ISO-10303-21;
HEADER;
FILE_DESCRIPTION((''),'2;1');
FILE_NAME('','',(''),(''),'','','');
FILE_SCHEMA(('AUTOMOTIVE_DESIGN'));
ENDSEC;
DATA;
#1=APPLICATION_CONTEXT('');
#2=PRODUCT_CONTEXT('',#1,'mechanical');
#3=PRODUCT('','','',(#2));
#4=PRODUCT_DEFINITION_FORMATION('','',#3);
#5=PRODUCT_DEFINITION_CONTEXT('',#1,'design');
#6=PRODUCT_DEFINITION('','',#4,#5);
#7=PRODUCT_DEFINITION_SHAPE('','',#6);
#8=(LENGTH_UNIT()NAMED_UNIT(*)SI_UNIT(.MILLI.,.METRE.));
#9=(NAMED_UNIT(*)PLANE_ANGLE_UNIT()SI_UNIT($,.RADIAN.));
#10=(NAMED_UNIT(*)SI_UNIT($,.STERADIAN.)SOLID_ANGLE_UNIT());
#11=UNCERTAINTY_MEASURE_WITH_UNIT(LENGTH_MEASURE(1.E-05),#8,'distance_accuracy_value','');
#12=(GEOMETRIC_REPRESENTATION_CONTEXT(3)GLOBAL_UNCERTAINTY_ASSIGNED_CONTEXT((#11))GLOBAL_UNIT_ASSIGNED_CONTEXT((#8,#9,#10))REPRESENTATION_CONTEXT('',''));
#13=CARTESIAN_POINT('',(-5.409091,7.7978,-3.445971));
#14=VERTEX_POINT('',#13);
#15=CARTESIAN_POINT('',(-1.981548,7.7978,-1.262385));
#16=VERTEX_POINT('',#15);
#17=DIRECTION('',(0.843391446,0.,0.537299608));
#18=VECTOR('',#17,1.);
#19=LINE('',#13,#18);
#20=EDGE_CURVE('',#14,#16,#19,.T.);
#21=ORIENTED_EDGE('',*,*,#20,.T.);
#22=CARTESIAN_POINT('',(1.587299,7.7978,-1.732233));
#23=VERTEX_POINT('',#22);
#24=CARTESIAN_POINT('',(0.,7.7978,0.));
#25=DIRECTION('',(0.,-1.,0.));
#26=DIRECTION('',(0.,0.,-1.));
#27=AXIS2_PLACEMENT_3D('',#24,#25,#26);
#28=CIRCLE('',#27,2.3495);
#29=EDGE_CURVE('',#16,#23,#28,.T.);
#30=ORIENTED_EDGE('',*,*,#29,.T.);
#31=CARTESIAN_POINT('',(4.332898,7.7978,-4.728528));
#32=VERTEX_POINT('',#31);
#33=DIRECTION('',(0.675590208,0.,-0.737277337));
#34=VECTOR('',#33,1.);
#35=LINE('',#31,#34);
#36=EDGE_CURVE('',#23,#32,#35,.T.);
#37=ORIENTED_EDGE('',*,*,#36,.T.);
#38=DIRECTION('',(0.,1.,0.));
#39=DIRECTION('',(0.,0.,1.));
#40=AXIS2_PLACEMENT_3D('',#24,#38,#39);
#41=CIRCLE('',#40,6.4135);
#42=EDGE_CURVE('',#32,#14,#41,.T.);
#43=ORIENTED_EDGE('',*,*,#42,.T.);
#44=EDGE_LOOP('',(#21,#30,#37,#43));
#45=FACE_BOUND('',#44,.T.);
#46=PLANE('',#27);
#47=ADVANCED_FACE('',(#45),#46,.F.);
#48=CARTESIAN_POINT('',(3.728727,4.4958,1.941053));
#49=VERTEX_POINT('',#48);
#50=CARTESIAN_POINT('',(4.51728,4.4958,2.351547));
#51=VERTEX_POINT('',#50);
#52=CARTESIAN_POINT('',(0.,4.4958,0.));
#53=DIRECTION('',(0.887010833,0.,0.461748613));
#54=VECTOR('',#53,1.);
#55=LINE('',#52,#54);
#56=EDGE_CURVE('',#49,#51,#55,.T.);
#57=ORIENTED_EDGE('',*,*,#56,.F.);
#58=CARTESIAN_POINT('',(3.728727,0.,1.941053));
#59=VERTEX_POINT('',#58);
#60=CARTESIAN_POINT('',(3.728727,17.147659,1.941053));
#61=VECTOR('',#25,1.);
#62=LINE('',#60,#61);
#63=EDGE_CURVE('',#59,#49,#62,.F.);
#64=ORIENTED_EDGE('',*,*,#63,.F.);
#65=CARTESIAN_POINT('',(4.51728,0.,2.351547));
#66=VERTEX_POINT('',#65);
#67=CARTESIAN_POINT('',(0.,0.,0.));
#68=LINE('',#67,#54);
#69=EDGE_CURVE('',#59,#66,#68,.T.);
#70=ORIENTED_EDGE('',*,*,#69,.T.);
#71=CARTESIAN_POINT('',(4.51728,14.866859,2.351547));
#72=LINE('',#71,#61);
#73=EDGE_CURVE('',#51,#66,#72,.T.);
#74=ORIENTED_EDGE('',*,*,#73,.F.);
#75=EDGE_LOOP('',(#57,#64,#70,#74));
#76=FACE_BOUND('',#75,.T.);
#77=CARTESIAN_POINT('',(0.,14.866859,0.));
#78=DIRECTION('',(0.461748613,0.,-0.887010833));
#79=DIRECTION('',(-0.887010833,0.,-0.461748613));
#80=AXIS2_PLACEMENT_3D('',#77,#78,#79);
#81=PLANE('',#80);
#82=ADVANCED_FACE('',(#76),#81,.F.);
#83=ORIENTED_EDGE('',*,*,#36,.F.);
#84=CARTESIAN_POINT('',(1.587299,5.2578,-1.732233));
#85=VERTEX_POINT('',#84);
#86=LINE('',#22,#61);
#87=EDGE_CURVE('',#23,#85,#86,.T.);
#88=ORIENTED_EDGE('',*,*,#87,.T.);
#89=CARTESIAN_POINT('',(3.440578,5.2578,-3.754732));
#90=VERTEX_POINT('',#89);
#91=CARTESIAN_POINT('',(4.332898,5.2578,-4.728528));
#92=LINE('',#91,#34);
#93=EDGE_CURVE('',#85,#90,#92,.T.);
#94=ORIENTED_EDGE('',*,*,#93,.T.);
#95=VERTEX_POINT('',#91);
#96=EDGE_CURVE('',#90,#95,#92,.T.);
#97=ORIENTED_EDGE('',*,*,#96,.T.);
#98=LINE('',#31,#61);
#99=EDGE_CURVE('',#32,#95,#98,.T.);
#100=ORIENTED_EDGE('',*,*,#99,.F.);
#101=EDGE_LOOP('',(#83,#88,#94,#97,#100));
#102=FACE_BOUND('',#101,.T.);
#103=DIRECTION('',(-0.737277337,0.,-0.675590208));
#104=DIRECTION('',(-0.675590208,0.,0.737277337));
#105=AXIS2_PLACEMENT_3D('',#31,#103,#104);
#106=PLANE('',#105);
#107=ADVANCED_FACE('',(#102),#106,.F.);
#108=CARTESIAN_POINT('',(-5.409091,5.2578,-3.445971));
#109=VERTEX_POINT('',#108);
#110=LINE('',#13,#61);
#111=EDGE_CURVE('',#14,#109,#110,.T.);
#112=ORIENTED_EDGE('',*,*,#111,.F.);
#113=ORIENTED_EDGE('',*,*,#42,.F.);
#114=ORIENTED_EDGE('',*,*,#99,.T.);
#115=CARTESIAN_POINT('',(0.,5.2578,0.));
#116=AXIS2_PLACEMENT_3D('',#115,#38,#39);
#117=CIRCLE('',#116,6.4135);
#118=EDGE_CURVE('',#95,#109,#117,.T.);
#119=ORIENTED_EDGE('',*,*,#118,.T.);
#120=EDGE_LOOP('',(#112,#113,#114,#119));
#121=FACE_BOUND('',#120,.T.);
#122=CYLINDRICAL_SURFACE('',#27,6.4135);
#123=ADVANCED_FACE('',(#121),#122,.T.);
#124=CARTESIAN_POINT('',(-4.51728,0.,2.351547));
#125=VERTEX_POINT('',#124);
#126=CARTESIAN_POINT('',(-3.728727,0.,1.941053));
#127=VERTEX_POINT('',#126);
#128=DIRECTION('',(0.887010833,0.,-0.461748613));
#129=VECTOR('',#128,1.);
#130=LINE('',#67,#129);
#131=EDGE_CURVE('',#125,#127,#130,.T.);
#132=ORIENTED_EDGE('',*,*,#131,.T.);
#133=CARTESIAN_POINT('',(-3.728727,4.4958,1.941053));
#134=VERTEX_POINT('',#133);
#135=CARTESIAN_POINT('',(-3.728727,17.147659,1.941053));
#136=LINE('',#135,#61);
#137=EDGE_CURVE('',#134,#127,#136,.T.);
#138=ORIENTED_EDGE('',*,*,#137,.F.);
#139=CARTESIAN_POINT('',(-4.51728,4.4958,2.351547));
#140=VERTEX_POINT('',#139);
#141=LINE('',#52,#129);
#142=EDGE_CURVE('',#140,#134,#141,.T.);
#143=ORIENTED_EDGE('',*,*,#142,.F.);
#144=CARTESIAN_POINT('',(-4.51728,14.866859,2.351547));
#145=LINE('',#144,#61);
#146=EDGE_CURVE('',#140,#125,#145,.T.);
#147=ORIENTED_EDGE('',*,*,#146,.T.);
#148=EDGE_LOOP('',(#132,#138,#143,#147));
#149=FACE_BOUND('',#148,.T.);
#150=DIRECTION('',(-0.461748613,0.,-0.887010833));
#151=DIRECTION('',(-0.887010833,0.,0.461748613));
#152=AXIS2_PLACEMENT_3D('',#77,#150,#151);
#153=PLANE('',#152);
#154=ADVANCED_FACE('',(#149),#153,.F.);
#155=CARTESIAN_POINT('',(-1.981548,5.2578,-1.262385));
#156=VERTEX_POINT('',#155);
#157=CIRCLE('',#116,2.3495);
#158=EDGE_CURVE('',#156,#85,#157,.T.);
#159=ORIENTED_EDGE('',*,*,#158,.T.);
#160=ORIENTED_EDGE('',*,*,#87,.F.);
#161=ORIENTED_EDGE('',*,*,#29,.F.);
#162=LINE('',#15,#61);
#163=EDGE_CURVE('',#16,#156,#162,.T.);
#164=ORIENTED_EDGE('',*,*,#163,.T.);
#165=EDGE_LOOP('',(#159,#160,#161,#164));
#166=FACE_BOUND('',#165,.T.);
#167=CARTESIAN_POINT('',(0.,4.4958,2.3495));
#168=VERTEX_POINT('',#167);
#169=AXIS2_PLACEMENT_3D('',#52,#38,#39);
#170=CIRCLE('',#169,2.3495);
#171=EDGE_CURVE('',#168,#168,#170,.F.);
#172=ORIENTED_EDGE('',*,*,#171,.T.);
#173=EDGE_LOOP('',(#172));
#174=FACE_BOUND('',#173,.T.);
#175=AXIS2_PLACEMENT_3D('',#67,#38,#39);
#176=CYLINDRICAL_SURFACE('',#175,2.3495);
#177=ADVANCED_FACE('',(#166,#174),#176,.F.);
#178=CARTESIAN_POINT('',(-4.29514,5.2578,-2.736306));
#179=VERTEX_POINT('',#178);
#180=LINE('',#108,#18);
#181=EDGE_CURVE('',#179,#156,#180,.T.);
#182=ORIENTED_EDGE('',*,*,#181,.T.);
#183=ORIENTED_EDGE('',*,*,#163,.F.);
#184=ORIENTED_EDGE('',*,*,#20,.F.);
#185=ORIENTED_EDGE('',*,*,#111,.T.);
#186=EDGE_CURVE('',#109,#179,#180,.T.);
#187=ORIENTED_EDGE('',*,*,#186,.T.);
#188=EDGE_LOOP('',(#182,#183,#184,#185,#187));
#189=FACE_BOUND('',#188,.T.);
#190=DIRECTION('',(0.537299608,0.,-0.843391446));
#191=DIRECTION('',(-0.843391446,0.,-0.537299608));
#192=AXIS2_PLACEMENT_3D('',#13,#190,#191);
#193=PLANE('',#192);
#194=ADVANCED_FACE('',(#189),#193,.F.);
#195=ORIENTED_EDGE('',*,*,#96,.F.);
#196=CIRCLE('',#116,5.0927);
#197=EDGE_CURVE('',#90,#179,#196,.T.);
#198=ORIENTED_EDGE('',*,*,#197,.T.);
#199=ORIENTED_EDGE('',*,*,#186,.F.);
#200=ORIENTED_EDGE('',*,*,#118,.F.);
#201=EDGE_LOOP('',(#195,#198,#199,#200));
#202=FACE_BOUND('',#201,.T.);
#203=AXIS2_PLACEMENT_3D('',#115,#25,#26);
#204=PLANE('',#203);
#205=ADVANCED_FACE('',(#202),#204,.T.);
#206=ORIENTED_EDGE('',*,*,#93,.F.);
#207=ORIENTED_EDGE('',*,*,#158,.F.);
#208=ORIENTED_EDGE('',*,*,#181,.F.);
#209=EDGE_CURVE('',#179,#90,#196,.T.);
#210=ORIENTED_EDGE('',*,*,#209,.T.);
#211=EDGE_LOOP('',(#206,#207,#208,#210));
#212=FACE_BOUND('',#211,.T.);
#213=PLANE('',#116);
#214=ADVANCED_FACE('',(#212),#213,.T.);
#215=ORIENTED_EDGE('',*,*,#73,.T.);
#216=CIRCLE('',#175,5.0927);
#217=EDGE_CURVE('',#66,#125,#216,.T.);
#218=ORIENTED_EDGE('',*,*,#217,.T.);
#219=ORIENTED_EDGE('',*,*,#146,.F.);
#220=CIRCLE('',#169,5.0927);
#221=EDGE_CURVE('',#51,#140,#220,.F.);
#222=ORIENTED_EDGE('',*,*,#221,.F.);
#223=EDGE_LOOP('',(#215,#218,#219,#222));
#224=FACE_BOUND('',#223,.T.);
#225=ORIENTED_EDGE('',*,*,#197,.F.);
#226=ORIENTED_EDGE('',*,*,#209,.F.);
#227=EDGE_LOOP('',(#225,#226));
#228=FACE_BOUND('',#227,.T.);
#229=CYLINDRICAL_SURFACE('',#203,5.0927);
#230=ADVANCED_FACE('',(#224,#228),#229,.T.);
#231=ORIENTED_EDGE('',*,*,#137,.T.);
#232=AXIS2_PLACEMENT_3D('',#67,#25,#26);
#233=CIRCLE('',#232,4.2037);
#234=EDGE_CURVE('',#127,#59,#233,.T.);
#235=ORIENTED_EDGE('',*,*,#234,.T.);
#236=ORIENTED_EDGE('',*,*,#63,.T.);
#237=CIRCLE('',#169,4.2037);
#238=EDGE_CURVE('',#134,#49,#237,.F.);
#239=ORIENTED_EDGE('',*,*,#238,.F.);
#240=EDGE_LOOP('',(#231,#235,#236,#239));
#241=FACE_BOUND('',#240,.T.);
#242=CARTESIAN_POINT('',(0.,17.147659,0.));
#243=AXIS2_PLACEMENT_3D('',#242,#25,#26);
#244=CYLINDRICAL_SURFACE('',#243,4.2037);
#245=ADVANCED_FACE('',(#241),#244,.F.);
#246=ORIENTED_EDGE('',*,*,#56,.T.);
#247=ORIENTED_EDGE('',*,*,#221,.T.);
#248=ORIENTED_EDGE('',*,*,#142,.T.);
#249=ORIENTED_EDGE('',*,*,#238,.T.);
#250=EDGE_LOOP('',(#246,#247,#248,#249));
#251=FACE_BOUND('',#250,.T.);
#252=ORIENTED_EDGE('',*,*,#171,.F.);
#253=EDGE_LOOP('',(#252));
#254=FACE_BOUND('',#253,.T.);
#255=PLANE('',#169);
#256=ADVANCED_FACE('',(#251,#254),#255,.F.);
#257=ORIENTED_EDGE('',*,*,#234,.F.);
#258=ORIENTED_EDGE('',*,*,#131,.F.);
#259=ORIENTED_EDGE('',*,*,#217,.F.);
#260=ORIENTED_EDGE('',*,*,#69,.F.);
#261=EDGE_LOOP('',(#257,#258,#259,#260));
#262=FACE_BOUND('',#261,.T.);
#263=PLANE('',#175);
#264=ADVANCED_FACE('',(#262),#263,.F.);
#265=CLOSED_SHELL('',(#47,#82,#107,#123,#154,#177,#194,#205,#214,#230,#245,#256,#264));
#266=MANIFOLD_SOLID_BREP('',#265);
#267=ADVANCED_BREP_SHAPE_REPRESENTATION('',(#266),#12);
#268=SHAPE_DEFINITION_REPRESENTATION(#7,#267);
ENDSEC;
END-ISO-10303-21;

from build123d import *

# Parameters (mm, degrees)
SKETCH1_R           = 5.0927
BOSS_EXTRUDE1_DEPTH = 5.2578
SKETCH2_R           = 2.3495
CUT_EXTRUDE1_DEPTH  = 9.917154671
SKETCH3_R           = 4.2037
CUT_EXTRUDE2_DEPTH  = 4.4958
CUT_EXTRUDE3_DEPTH  = 4.4958
BOSS_EXTRUDE2_START = 2.54
BOSS_EXTRUDE2_DEPTH = 2.54


with BuildPart() as part:
    # Sketch1 → Boss-Extrude1 (new body)
    with BuildSketch(Plane(origin=(0, 0, 0), x_dir=(1, 0, 0), z_dir=(0, 1, 0))):
        with Locations(Location((0, 0, 0), (0, 0, 270))):
            Circle(SKETCH1_R)
    extrude(amount=BOSS_EXTRUDE1_DEPTH)

    # Sketch2 → Cut-Extrude1 (cut, through all)
    with BuildSketch(Plane(origin=(0, 5.2578, 0), x_dir=(1, 0, 0), z_dir=(0, 1, 0))):
        with Locations(Location((0, 0, 0), (0, 0, 270))):
            Circle(SKETCH2_R)
    extrude(amount=-CUT_EXTRUDE1_DEPTH, mode=Mode.SUBTRACT)

    # Sketch3 → Cut-Extrude2 (cut)
    with BuildSketch(Plane.XZ):
        with Locations(Location((0, 0, 0), (0, 0, 270))):
            Circle(SKETCH3_R)
    extrude(amount=-CUT_EXTRUDE2_DEPTH, mode=Mode.SUBTRACT)

    # Sketch5 → Cut-Extrude3 (cut)
    with BuildSketch(Plane.XZ):
        with BuildLine():
            Line((0, 0), (4.51728007, 2.351547163))
            ThreePointArc((4.51728007, 2.351547163), (0, 5.0927), (-4.51728007, 2.351547163))
            Line((-4.51728007, 2.351547163), (0, 0))
        make_face()
    extrude(amount=-CUT_EXTRUDE3_DEPTH, mode=Mode.SUBTRACT)

    # Sketch4 → Boss-Extrude2 (add)
    with BuildSketch(Plane(origin=(0, 5.2578, 0), x_dir=(1, 0, 0), z_dir=(0, 1, 0)).offset(BOSS_EXTRUDE2_START)):
        with BuildLine():
            Line((4.332897797, 4.7285282), (1.587299193, 1.732233103))
            ThreePointArc((1.587299193, 1.732233103), (-0.306671289, 2.329399702), (-1.981548202, 1.26238543))
            Line((-1.981548202, 1.26238543), (-5.409091038, 3.445971038))
            ThreePointArc((-5.409091038, 3.445971038), (-0.837129734, 6.358631618), (4.332897797, 4.7285282))
        make_face()
    extrude(amount=-BOSS_EXTRUDE2_DEPTH)


solid = part.part
